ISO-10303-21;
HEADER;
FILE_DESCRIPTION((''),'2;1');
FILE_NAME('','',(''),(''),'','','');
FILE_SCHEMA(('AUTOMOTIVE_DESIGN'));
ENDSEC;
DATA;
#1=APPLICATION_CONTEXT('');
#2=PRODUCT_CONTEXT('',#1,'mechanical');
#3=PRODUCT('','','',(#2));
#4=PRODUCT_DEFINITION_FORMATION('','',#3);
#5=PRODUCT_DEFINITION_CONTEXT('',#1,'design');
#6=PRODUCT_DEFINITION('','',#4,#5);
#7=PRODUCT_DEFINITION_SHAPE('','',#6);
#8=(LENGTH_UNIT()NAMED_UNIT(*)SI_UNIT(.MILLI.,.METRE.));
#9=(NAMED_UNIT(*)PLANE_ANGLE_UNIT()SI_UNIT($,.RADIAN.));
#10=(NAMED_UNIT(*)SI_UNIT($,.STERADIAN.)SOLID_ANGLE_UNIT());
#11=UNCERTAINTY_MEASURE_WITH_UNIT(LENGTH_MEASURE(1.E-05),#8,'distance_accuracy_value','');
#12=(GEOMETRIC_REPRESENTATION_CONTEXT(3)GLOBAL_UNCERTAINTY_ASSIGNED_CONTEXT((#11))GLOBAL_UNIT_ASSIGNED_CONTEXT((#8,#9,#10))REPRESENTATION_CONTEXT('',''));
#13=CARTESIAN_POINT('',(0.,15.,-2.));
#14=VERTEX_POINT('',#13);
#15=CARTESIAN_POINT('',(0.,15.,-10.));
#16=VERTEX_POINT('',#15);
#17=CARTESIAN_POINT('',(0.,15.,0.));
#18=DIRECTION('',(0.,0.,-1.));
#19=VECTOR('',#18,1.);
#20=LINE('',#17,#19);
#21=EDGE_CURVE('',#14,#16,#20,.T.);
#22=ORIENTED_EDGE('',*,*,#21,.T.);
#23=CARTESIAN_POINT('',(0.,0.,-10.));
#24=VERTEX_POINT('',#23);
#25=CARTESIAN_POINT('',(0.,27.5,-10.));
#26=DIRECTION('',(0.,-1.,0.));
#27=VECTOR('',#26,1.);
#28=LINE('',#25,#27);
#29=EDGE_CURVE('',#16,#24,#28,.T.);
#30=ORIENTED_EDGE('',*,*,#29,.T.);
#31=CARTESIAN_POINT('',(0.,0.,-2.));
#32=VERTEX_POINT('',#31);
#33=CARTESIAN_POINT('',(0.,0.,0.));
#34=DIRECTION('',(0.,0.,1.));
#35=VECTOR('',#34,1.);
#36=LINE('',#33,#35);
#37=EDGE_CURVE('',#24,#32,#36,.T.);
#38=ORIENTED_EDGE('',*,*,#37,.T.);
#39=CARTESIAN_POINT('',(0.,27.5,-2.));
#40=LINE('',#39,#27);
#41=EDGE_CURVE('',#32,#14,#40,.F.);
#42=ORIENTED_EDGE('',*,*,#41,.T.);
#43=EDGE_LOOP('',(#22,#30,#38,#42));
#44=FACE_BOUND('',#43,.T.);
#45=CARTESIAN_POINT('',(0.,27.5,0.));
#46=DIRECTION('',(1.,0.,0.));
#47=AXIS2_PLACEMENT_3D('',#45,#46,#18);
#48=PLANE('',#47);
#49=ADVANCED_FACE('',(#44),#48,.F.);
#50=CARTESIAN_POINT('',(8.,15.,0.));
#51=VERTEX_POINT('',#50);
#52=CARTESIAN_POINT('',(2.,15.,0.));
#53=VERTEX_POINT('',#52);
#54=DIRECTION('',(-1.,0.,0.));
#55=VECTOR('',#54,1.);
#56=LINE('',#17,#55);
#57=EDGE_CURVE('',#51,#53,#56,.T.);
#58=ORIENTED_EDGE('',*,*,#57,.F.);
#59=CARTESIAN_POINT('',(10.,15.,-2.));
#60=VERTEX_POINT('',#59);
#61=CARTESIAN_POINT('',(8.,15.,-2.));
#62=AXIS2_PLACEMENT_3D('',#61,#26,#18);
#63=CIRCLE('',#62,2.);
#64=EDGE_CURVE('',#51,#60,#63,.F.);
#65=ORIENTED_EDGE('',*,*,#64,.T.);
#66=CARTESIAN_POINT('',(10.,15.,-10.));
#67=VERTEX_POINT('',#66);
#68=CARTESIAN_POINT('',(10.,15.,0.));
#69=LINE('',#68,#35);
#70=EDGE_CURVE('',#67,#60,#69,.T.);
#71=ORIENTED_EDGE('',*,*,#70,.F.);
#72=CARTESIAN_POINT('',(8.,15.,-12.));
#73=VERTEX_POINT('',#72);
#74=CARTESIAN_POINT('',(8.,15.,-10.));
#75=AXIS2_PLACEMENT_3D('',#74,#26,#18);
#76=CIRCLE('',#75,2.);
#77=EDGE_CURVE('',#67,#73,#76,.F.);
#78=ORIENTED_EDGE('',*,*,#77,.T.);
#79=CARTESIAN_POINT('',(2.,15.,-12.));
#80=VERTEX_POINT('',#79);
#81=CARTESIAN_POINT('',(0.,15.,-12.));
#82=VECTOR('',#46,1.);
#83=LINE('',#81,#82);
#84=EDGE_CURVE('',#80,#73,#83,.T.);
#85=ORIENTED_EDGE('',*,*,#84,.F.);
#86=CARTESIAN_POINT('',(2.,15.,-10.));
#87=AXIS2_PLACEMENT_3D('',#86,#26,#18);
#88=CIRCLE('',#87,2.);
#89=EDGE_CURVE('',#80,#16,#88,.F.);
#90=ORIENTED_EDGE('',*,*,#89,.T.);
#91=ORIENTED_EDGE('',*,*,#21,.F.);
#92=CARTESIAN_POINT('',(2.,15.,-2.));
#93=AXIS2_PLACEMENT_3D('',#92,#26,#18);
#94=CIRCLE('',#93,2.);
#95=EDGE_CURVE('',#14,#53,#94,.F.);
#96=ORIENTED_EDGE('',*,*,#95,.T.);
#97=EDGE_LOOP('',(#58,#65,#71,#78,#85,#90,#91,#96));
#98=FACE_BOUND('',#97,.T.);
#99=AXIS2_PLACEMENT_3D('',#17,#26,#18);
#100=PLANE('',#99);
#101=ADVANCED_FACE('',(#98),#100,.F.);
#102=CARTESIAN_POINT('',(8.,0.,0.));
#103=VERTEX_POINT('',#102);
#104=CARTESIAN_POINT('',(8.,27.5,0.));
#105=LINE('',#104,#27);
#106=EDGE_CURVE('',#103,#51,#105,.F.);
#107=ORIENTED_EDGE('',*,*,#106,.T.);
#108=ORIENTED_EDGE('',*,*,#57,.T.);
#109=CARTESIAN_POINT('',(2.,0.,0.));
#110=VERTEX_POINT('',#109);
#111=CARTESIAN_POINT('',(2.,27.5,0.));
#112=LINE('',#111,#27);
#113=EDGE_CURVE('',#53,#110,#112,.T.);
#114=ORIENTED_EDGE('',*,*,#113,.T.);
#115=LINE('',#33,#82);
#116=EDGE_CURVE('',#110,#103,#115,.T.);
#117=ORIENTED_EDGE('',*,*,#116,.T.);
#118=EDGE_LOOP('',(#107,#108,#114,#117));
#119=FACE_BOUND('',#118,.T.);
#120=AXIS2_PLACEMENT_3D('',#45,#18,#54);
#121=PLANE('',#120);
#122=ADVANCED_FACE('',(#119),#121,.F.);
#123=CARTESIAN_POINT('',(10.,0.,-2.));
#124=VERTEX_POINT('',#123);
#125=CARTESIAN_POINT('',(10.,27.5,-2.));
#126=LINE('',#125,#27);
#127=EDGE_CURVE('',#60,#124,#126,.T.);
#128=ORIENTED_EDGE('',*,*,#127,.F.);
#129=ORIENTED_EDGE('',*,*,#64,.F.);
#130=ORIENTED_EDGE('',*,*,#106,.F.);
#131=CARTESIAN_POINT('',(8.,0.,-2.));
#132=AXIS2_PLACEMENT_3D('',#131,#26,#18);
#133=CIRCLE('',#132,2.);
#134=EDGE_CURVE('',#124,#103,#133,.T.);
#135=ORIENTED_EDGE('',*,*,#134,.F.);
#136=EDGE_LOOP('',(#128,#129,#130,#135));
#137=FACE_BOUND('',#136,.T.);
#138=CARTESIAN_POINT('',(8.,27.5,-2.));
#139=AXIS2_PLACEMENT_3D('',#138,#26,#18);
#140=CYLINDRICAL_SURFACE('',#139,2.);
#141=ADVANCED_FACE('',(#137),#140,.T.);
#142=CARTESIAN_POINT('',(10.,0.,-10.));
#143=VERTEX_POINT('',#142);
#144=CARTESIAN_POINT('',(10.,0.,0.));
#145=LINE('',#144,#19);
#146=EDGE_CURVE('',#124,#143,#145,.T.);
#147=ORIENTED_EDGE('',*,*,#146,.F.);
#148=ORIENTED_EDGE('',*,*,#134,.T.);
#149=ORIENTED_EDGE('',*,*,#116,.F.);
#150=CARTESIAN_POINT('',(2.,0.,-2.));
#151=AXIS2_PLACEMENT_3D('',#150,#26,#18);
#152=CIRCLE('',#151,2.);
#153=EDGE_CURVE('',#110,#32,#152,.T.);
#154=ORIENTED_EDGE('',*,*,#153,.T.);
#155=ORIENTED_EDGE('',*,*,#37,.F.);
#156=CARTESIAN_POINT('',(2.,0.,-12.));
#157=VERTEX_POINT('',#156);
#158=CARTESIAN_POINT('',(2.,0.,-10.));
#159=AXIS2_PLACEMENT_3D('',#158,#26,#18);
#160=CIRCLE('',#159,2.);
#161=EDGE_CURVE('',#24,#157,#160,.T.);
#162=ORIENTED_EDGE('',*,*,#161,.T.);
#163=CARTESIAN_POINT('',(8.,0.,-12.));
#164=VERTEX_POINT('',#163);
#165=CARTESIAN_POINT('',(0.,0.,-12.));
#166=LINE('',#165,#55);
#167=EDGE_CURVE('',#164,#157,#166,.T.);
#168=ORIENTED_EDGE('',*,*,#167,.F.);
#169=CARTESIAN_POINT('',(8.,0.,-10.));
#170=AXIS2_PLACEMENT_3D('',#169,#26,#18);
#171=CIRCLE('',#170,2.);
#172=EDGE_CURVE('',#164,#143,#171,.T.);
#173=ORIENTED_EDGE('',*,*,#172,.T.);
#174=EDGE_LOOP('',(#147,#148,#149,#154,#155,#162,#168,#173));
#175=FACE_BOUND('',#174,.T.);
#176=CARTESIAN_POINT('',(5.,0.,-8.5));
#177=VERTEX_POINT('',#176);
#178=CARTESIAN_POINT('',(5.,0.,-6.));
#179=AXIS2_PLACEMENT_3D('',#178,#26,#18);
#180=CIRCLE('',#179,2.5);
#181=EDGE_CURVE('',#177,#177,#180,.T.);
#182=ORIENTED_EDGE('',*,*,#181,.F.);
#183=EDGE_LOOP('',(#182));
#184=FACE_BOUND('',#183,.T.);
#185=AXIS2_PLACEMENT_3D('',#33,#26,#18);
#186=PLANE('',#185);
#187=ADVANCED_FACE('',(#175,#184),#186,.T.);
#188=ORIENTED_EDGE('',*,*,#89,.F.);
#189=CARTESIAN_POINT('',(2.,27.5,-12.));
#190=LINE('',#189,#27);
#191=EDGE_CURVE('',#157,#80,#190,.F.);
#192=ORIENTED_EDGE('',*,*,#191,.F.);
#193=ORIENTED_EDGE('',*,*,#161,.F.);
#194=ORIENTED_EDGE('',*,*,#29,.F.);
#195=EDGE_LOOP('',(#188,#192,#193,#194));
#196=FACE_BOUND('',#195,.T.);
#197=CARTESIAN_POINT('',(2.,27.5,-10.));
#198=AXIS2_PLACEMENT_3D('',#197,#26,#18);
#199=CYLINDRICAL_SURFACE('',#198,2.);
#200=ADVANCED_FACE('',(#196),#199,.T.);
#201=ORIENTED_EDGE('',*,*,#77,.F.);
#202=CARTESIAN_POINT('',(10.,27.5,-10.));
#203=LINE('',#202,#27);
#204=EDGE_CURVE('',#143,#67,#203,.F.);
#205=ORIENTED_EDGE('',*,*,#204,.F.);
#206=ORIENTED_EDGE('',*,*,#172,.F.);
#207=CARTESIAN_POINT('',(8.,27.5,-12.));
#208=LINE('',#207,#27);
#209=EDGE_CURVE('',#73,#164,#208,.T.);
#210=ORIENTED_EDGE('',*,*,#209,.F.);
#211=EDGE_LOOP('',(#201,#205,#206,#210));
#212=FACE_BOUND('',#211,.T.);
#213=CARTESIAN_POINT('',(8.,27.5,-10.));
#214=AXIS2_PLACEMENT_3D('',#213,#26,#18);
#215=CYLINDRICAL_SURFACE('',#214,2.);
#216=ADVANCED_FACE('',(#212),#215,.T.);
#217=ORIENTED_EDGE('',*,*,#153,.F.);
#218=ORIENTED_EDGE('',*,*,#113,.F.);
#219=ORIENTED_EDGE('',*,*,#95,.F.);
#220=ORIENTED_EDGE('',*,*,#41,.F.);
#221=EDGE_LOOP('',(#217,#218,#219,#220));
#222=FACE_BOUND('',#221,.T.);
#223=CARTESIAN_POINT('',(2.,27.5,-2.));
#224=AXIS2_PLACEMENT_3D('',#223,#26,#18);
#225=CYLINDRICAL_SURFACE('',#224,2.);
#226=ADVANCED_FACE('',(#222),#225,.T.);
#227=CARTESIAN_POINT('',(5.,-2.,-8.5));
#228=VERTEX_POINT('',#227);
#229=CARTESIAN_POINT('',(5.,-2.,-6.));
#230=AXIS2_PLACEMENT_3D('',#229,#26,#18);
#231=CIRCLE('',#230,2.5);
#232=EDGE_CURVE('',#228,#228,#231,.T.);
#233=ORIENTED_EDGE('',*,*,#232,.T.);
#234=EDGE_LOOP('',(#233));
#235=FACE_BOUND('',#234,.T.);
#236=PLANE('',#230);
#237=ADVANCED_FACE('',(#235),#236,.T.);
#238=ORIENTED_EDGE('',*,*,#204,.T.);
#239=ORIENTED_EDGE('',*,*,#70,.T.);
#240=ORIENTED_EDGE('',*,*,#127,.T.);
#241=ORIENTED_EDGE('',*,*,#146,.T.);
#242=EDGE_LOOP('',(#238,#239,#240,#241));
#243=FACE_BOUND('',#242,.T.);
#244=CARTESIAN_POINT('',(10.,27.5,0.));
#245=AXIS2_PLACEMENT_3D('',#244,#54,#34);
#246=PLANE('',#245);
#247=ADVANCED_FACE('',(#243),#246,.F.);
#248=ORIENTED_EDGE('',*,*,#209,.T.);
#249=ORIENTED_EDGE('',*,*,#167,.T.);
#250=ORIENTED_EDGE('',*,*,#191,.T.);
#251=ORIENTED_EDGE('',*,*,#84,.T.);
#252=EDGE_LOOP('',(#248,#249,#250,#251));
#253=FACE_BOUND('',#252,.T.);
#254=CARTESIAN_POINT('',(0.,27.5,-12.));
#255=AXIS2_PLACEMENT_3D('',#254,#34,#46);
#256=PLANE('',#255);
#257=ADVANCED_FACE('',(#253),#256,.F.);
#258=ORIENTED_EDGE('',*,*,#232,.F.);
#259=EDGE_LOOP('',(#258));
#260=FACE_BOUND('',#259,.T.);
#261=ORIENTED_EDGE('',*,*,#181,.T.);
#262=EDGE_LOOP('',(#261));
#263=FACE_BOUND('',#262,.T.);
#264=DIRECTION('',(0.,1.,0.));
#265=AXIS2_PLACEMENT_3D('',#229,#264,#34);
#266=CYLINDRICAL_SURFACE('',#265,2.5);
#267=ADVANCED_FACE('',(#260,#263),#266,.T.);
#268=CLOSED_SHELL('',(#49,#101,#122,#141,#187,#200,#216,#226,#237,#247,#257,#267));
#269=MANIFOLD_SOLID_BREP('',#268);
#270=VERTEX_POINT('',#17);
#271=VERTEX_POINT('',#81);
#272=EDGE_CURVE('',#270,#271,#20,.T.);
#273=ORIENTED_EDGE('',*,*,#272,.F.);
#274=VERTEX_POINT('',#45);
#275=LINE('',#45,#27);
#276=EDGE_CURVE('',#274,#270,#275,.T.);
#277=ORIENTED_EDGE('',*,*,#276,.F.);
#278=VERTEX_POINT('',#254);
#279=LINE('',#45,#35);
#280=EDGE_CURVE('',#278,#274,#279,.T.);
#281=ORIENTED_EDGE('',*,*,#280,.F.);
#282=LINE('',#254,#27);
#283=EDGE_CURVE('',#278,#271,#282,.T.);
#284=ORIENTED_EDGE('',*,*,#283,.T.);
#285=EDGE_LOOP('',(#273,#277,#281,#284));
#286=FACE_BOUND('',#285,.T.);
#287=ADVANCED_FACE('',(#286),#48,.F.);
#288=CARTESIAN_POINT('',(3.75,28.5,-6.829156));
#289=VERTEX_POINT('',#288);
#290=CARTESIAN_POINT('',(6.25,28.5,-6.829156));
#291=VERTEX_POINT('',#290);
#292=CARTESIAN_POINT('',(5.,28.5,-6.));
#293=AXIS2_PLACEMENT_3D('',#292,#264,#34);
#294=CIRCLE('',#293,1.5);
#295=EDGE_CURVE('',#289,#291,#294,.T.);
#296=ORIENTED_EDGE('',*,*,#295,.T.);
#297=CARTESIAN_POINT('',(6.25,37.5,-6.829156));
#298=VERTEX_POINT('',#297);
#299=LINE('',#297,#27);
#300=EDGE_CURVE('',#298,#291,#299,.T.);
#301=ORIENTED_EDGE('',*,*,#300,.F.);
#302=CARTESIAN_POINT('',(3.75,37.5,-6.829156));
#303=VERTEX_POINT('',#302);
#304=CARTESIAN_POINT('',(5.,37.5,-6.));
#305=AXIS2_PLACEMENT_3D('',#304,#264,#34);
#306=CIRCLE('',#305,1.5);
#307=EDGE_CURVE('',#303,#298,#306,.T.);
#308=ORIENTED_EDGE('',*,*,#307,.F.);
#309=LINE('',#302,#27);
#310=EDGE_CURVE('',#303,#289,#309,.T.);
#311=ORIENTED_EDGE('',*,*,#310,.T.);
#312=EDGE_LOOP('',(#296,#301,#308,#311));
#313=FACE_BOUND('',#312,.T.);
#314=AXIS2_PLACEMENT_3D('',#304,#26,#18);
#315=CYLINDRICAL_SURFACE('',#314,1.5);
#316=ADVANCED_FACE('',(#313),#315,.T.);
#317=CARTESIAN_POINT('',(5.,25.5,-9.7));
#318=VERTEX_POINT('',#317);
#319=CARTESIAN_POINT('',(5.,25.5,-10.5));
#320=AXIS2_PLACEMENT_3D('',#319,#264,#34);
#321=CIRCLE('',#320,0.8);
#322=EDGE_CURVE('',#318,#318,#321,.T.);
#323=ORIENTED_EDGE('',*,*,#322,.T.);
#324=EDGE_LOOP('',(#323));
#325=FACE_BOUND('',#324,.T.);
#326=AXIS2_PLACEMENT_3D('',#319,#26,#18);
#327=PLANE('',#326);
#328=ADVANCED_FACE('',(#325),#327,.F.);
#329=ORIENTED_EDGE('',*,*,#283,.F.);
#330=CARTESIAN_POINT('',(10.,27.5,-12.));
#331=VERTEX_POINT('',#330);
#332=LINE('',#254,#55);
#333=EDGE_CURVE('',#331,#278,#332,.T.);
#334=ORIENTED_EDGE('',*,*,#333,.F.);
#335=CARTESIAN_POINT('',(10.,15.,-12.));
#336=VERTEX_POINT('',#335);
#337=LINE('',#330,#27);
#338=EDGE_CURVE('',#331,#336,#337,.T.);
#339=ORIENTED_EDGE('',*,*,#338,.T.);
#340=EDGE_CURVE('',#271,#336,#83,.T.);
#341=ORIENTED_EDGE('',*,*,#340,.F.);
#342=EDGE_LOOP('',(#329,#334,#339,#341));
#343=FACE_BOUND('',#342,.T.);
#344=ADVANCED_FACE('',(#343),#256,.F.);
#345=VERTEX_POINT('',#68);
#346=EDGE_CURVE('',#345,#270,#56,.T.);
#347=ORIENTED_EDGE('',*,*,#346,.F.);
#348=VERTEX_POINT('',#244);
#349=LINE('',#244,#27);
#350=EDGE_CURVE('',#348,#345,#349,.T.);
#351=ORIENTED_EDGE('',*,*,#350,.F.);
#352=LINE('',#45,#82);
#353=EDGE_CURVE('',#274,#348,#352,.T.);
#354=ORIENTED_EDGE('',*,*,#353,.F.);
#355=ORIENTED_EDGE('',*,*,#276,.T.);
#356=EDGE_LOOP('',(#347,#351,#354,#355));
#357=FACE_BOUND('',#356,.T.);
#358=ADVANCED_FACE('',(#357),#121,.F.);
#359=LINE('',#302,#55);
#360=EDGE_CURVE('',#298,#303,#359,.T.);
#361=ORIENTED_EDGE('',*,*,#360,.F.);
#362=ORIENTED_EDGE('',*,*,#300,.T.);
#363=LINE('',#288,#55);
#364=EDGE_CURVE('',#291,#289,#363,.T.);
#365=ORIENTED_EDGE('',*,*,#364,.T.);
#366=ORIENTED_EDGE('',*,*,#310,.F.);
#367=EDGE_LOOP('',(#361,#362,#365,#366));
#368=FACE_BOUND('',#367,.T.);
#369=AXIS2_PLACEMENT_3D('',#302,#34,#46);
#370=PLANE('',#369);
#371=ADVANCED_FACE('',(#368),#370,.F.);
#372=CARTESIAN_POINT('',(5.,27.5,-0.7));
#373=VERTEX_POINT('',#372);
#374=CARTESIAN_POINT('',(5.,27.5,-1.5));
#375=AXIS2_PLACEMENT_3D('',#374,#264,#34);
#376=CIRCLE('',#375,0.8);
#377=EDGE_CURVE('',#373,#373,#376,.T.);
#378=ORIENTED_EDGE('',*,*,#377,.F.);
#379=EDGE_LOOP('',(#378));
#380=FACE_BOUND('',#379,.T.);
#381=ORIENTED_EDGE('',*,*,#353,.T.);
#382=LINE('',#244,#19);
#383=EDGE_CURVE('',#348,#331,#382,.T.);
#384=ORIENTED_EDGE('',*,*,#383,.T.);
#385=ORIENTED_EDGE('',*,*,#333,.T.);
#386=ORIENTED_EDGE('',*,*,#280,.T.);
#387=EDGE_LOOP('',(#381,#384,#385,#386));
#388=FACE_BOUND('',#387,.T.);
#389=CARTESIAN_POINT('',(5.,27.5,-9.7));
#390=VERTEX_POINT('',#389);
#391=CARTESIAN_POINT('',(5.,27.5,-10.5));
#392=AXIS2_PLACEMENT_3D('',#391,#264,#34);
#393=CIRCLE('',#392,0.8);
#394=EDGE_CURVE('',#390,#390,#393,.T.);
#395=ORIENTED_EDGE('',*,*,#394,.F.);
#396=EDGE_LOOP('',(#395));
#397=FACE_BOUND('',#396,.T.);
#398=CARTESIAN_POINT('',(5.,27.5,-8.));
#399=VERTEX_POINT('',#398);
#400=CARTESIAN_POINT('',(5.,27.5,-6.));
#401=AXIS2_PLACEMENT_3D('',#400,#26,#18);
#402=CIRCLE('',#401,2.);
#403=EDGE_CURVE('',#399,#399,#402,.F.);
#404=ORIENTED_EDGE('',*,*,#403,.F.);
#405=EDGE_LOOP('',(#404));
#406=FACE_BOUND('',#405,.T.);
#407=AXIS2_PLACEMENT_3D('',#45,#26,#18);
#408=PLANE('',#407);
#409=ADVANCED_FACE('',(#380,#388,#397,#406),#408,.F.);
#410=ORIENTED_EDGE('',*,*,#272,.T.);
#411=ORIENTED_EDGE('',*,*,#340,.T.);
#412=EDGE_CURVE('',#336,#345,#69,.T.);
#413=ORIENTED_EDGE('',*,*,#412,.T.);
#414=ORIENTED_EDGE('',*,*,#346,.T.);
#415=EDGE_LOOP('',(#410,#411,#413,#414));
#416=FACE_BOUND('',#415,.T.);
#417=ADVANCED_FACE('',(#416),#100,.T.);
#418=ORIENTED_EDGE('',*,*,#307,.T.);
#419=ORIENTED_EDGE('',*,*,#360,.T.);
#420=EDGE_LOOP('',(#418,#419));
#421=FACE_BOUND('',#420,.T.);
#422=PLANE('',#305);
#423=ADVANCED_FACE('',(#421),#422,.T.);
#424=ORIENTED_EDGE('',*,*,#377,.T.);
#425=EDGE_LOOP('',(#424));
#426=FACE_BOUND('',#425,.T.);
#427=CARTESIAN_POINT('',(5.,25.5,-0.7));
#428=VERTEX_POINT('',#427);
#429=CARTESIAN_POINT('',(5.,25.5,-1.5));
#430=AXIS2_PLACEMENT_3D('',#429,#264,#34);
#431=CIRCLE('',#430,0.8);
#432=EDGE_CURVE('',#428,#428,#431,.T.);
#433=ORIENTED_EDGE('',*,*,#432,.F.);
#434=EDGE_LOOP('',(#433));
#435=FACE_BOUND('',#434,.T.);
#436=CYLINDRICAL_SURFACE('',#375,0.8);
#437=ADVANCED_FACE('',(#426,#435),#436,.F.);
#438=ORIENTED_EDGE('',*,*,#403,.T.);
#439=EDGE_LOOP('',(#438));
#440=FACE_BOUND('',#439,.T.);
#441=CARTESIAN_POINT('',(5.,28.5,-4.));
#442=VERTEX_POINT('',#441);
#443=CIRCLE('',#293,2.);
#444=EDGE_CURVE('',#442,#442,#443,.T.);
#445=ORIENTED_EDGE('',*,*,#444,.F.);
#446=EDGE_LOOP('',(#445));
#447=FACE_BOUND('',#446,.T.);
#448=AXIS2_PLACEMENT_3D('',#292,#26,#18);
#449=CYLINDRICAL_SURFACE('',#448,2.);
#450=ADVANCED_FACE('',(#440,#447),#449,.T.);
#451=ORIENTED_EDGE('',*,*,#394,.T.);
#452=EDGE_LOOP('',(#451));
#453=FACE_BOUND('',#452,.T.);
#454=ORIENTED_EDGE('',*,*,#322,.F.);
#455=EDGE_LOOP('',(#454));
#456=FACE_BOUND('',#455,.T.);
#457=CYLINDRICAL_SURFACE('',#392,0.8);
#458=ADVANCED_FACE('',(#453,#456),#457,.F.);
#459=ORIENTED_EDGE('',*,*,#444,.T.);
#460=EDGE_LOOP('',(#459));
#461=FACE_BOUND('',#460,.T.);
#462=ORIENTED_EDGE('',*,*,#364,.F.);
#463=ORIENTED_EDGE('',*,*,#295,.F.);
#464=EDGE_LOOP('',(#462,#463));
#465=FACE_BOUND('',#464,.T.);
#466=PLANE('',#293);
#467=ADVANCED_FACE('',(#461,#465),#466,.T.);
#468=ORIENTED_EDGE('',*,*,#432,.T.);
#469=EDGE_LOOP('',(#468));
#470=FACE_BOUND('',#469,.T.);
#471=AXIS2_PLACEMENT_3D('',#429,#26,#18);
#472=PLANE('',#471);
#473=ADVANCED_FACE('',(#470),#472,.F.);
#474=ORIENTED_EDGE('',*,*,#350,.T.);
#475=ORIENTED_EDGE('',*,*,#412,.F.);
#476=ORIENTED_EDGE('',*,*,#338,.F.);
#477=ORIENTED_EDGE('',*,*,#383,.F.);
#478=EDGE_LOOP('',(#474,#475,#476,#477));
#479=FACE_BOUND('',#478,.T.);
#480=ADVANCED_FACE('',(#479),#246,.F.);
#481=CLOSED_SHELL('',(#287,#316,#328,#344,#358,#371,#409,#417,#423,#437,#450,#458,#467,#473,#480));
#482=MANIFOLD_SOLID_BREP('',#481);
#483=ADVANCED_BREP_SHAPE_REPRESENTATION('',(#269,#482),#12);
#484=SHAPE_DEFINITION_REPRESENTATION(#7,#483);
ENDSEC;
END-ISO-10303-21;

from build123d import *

# Parameters (mm, degrees)
SKETCH_1_W                  = 10
SKETCH_1_H                  = 12
EXTRUDE_1_DEPTH             = 27.5
EXTRUDE_2_DEPTH             = 10
SKETCH_3_R                  = 2
EXTRUDE_3_DEPTH             = 1
HOLE_WIZARD_1_6_1_6_1_D     = 1.6
HOLE_WIZARD_1_6_1_6_1_DEPTH = 2
SKETCH_7_R                  = 2.5
EXTRUDE_4_DEPTH             = 2
FILLET_1_R                  = 2


with BuildPart() as part:
    # 草图1 → 凸台-拉伸1 (new body)
    with BuildSketch(Plane(origin=(0, 0, 0), x_dir=(1, 0, 0), z_dir=(0, 1, 0))):
        with Locations((5, 6)):
            Rectangle(SKETCH_1_W, SKETCH_1_H)
    extrude(amount=EXTRUDE_1_DEPTH)

    # 草图2 → 凸台-拉伸2 (add)
    with BuildSketch(Plane(origin=(0, 27.5, 0), x_dir=(1, 0, 0), z_dir=(0, 1, 0))):
        with BuildLine():
            Line((3.75, 6.829156198), (6.25, 6.829156198))
            ThreePointArc((6.25, 6.829156198), (5, 4.5), (3.75, 6.829156198))
        make_face()
    extrude(amount=EXTRUDE_2_DEPTH)

    # 草图3 → 凸台-拉伸3 (add)
    with BuildSketch(Plane(origin=(0, 27.5, 0), x_dir=(1, 0, 0), z_dir=(0, 1, 0))):
        with Locations(Location((5, 6, 0), (0, 0, 90))):
            Circle(SKETCH_3_R)
    extrude(amount=EXTRUDE_3_DEPTH)

    # Ø1.6 (1.6) 直径孔1
    with Locations(Plane(origin=(0, 27.5, 0), x_dir=(1, 0, 0), z_dir=(0, 1, 0))):
        with Locations((5, 1.5), (5, 10.5)):
            Hole(HOLE_WIZARD_1_6_1_6_1_D / 2, depth=HOLE_WIZARD_1_6_1_6_1_DEPTH)

    # 草图7 → 凸台-拉伸4 (add)
    with BuildSketch(Plane.XZ):
        with Locations(Location((5, -6, 0), (0, 0, 270))):
            Circle(SKETCH_7_R)
    extrude(amount=EXTRUDE_4_DEPTH)


with BuildPart() as body_2:
    # Split Bodies 1: the piece on the far side of the plane
    add(part.part)
    split(bisect_by=Plane(origin=(0, 15, 0), x_dir=(0, 0, -1), z_dir=(0, -1, 0)), keep=Keep.BOTTOM)


with BuildPart() as part_1:
    add(part.part)

    # Split Bodies 1
    split(bisect_by=Plane(origin=(0, 15, 0), x_dir=(0, 0, -1), z_dir=(0, -1, 0)), keep=Keep.TOP)

    # 圆角1
    fillet_1_edges = [part_1.edges().sort_by_distance(p)[0] for p in [
        (0, 7.5, -12),
        (10, 7.5, -12),
        (10, 7.5, 0),
        (0, 7.5, 0),
    ]]
    fillet(fillet_1_edges, radius=FILLET_1_R)


solid = Compound([body_2.part, part_1.part])
